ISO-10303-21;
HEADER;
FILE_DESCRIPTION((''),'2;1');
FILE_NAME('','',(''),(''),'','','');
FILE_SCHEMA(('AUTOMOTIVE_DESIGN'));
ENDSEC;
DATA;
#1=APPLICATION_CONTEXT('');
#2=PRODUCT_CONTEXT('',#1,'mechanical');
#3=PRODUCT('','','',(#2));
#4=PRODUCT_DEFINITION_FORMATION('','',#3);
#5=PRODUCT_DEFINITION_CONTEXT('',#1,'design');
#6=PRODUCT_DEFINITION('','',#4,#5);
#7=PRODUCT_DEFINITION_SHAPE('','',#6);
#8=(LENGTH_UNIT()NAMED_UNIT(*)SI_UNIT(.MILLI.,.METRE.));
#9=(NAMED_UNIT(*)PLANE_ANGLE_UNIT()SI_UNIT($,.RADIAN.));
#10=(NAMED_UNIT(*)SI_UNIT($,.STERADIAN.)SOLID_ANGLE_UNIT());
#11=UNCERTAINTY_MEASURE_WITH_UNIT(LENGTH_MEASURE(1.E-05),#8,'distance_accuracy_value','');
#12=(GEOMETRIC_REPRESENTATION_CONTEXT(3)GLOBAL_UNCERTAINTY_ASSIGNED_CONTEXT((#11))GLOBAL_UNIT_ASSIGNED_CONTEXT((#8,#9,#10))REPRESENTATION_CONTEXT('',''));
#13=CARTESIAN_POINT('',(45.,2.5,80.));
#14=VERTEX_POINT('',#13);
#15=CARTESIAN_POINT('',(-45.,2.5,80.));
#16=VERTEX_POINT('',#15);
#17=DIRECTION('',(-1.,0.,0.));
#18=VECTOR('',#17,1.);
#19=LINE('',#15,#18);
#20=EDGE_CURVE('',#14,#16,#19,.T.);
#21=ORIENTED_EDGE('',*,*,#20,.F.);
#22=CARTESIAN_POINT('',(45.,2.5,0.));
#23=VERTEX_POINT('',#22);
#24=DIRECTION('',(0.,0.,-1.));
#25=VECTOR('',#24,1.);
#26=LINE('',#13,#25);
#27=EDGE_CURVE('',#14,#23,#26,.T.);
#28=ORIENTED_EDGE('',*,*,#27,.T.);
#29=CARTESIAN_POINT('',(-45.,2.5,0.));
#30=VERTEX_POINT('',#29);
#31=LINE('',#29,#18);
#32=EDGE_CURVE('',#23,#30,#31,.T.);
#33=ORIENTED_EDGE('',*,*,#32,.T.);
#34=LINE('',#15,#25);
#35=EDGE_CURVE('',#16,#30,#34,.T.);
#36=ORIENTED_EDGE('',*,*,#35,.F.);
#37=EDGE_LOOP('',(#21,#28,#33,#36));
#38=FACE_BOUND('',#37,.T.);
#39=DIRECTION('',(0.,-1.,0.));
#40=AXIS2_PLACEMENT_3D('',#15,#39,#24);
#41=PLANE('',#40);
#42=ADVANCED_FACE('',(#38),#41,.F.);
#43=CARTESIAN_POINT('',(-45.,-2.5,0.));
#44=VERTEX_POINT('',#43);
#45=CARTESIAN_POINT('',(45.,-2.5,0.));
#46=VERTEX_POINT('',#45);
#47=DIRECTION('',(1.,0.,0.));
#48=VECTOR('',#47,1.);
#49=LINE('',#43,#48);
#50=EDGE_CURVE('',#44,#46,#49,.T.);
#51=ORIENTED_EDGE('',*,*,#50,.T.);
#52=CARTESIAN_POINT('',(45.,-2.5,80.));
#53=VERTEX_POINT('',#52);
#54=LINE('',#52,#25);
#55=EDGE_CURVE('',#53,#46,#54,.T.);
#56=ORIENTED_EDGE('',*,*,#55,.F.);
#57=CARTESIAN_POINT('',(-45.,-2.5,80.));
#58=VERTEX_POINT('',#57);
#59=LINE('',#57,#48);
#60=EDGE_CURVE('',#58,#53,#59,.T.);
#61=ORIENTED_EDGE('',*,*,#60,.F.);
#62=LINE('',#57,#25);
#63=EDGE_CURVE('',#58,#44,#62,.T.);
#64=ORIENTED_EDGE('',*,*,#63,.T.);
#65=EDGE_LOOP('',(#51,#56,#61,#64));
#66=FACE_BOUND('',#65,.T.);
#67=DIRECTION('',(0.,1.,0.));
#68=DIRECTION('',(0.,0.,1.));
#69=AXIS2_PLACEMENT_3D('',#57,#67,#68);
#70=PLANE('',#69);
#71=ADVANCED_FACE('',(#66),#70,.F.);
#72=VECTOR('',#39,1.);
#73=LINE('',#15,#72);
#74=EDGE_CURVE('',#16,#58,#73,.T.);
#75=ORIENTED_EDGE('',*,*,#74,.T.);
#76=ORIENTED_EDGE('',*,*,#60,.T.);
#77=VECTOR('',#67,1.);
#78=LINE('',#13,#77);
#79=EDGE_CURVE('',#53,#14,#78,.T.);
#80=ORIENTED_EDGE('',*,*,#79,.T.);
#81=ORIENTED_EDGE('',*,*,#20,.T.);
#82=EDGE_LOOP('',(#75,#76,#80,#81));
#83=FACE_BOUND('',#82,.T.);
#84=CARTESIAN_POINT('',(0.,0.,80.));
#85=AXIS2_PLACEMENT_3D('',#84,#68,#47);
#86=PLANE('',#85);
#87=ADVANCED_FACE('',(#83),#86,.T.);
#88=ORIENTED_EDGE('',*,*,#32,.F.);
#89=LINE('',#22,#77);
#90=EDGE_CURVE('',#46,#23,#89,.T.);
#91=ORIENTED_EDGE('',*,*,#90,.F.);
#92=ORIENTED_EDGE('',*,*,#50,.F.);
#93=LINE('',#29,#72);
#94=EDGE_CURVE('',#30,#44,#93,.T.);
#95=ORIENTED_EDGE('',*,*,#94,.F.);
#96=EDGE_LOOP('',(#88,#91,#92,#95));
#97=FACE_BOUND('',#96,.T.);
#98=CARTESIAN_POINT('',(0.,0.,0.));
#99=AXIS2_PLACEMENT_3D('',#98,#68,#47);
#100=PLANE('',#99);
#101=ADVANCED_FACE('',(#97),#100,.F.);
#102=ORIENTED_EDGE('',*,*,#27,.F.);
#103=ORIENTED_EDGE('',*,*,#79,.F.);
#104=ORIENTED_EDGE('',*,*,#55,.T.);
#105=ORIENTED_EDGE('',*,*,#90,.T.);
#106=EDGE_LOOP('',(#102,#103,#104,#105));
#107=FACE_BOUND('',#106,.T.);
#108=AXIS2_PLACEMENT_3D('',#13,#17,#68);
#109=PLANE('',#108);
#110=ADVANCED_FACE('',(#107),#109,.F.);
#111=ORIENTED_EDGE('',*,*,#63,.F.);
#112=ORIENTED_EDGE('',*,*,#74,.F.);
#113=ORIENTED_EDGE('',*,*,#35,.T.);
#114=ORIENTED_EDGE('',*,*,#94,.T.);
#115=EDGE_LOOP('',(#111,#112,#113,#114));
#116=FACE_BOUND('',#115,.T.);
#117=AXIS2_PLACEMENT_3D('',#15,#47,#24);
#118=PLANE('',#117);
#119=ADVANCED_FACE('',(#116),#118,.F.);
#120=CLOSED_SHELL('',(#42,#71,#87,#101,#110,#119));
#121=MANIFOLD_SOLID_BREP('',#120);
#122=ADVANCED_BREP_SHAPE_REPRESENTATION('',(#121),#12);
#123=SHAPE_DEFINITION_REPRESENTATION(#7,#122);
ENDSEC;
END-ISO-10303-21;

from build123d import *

# Parameters (mm, degrees)
ESQUISSE1_W        = 90
ESQUISSE1_H        = 5
BOSS_EXTRU_1_DEPTH = 80


with BuildPart() as part:
    # Esquisse1 → Boss.-Extru.1 (new body)
    with BuildSketch(Plane.XY):
        Rectangle(ESQUISSE1_W, ESQUISSE1_H)
    extrude(amount=BOSS_EXTRU_1_DEPTH)


solid = part.part
